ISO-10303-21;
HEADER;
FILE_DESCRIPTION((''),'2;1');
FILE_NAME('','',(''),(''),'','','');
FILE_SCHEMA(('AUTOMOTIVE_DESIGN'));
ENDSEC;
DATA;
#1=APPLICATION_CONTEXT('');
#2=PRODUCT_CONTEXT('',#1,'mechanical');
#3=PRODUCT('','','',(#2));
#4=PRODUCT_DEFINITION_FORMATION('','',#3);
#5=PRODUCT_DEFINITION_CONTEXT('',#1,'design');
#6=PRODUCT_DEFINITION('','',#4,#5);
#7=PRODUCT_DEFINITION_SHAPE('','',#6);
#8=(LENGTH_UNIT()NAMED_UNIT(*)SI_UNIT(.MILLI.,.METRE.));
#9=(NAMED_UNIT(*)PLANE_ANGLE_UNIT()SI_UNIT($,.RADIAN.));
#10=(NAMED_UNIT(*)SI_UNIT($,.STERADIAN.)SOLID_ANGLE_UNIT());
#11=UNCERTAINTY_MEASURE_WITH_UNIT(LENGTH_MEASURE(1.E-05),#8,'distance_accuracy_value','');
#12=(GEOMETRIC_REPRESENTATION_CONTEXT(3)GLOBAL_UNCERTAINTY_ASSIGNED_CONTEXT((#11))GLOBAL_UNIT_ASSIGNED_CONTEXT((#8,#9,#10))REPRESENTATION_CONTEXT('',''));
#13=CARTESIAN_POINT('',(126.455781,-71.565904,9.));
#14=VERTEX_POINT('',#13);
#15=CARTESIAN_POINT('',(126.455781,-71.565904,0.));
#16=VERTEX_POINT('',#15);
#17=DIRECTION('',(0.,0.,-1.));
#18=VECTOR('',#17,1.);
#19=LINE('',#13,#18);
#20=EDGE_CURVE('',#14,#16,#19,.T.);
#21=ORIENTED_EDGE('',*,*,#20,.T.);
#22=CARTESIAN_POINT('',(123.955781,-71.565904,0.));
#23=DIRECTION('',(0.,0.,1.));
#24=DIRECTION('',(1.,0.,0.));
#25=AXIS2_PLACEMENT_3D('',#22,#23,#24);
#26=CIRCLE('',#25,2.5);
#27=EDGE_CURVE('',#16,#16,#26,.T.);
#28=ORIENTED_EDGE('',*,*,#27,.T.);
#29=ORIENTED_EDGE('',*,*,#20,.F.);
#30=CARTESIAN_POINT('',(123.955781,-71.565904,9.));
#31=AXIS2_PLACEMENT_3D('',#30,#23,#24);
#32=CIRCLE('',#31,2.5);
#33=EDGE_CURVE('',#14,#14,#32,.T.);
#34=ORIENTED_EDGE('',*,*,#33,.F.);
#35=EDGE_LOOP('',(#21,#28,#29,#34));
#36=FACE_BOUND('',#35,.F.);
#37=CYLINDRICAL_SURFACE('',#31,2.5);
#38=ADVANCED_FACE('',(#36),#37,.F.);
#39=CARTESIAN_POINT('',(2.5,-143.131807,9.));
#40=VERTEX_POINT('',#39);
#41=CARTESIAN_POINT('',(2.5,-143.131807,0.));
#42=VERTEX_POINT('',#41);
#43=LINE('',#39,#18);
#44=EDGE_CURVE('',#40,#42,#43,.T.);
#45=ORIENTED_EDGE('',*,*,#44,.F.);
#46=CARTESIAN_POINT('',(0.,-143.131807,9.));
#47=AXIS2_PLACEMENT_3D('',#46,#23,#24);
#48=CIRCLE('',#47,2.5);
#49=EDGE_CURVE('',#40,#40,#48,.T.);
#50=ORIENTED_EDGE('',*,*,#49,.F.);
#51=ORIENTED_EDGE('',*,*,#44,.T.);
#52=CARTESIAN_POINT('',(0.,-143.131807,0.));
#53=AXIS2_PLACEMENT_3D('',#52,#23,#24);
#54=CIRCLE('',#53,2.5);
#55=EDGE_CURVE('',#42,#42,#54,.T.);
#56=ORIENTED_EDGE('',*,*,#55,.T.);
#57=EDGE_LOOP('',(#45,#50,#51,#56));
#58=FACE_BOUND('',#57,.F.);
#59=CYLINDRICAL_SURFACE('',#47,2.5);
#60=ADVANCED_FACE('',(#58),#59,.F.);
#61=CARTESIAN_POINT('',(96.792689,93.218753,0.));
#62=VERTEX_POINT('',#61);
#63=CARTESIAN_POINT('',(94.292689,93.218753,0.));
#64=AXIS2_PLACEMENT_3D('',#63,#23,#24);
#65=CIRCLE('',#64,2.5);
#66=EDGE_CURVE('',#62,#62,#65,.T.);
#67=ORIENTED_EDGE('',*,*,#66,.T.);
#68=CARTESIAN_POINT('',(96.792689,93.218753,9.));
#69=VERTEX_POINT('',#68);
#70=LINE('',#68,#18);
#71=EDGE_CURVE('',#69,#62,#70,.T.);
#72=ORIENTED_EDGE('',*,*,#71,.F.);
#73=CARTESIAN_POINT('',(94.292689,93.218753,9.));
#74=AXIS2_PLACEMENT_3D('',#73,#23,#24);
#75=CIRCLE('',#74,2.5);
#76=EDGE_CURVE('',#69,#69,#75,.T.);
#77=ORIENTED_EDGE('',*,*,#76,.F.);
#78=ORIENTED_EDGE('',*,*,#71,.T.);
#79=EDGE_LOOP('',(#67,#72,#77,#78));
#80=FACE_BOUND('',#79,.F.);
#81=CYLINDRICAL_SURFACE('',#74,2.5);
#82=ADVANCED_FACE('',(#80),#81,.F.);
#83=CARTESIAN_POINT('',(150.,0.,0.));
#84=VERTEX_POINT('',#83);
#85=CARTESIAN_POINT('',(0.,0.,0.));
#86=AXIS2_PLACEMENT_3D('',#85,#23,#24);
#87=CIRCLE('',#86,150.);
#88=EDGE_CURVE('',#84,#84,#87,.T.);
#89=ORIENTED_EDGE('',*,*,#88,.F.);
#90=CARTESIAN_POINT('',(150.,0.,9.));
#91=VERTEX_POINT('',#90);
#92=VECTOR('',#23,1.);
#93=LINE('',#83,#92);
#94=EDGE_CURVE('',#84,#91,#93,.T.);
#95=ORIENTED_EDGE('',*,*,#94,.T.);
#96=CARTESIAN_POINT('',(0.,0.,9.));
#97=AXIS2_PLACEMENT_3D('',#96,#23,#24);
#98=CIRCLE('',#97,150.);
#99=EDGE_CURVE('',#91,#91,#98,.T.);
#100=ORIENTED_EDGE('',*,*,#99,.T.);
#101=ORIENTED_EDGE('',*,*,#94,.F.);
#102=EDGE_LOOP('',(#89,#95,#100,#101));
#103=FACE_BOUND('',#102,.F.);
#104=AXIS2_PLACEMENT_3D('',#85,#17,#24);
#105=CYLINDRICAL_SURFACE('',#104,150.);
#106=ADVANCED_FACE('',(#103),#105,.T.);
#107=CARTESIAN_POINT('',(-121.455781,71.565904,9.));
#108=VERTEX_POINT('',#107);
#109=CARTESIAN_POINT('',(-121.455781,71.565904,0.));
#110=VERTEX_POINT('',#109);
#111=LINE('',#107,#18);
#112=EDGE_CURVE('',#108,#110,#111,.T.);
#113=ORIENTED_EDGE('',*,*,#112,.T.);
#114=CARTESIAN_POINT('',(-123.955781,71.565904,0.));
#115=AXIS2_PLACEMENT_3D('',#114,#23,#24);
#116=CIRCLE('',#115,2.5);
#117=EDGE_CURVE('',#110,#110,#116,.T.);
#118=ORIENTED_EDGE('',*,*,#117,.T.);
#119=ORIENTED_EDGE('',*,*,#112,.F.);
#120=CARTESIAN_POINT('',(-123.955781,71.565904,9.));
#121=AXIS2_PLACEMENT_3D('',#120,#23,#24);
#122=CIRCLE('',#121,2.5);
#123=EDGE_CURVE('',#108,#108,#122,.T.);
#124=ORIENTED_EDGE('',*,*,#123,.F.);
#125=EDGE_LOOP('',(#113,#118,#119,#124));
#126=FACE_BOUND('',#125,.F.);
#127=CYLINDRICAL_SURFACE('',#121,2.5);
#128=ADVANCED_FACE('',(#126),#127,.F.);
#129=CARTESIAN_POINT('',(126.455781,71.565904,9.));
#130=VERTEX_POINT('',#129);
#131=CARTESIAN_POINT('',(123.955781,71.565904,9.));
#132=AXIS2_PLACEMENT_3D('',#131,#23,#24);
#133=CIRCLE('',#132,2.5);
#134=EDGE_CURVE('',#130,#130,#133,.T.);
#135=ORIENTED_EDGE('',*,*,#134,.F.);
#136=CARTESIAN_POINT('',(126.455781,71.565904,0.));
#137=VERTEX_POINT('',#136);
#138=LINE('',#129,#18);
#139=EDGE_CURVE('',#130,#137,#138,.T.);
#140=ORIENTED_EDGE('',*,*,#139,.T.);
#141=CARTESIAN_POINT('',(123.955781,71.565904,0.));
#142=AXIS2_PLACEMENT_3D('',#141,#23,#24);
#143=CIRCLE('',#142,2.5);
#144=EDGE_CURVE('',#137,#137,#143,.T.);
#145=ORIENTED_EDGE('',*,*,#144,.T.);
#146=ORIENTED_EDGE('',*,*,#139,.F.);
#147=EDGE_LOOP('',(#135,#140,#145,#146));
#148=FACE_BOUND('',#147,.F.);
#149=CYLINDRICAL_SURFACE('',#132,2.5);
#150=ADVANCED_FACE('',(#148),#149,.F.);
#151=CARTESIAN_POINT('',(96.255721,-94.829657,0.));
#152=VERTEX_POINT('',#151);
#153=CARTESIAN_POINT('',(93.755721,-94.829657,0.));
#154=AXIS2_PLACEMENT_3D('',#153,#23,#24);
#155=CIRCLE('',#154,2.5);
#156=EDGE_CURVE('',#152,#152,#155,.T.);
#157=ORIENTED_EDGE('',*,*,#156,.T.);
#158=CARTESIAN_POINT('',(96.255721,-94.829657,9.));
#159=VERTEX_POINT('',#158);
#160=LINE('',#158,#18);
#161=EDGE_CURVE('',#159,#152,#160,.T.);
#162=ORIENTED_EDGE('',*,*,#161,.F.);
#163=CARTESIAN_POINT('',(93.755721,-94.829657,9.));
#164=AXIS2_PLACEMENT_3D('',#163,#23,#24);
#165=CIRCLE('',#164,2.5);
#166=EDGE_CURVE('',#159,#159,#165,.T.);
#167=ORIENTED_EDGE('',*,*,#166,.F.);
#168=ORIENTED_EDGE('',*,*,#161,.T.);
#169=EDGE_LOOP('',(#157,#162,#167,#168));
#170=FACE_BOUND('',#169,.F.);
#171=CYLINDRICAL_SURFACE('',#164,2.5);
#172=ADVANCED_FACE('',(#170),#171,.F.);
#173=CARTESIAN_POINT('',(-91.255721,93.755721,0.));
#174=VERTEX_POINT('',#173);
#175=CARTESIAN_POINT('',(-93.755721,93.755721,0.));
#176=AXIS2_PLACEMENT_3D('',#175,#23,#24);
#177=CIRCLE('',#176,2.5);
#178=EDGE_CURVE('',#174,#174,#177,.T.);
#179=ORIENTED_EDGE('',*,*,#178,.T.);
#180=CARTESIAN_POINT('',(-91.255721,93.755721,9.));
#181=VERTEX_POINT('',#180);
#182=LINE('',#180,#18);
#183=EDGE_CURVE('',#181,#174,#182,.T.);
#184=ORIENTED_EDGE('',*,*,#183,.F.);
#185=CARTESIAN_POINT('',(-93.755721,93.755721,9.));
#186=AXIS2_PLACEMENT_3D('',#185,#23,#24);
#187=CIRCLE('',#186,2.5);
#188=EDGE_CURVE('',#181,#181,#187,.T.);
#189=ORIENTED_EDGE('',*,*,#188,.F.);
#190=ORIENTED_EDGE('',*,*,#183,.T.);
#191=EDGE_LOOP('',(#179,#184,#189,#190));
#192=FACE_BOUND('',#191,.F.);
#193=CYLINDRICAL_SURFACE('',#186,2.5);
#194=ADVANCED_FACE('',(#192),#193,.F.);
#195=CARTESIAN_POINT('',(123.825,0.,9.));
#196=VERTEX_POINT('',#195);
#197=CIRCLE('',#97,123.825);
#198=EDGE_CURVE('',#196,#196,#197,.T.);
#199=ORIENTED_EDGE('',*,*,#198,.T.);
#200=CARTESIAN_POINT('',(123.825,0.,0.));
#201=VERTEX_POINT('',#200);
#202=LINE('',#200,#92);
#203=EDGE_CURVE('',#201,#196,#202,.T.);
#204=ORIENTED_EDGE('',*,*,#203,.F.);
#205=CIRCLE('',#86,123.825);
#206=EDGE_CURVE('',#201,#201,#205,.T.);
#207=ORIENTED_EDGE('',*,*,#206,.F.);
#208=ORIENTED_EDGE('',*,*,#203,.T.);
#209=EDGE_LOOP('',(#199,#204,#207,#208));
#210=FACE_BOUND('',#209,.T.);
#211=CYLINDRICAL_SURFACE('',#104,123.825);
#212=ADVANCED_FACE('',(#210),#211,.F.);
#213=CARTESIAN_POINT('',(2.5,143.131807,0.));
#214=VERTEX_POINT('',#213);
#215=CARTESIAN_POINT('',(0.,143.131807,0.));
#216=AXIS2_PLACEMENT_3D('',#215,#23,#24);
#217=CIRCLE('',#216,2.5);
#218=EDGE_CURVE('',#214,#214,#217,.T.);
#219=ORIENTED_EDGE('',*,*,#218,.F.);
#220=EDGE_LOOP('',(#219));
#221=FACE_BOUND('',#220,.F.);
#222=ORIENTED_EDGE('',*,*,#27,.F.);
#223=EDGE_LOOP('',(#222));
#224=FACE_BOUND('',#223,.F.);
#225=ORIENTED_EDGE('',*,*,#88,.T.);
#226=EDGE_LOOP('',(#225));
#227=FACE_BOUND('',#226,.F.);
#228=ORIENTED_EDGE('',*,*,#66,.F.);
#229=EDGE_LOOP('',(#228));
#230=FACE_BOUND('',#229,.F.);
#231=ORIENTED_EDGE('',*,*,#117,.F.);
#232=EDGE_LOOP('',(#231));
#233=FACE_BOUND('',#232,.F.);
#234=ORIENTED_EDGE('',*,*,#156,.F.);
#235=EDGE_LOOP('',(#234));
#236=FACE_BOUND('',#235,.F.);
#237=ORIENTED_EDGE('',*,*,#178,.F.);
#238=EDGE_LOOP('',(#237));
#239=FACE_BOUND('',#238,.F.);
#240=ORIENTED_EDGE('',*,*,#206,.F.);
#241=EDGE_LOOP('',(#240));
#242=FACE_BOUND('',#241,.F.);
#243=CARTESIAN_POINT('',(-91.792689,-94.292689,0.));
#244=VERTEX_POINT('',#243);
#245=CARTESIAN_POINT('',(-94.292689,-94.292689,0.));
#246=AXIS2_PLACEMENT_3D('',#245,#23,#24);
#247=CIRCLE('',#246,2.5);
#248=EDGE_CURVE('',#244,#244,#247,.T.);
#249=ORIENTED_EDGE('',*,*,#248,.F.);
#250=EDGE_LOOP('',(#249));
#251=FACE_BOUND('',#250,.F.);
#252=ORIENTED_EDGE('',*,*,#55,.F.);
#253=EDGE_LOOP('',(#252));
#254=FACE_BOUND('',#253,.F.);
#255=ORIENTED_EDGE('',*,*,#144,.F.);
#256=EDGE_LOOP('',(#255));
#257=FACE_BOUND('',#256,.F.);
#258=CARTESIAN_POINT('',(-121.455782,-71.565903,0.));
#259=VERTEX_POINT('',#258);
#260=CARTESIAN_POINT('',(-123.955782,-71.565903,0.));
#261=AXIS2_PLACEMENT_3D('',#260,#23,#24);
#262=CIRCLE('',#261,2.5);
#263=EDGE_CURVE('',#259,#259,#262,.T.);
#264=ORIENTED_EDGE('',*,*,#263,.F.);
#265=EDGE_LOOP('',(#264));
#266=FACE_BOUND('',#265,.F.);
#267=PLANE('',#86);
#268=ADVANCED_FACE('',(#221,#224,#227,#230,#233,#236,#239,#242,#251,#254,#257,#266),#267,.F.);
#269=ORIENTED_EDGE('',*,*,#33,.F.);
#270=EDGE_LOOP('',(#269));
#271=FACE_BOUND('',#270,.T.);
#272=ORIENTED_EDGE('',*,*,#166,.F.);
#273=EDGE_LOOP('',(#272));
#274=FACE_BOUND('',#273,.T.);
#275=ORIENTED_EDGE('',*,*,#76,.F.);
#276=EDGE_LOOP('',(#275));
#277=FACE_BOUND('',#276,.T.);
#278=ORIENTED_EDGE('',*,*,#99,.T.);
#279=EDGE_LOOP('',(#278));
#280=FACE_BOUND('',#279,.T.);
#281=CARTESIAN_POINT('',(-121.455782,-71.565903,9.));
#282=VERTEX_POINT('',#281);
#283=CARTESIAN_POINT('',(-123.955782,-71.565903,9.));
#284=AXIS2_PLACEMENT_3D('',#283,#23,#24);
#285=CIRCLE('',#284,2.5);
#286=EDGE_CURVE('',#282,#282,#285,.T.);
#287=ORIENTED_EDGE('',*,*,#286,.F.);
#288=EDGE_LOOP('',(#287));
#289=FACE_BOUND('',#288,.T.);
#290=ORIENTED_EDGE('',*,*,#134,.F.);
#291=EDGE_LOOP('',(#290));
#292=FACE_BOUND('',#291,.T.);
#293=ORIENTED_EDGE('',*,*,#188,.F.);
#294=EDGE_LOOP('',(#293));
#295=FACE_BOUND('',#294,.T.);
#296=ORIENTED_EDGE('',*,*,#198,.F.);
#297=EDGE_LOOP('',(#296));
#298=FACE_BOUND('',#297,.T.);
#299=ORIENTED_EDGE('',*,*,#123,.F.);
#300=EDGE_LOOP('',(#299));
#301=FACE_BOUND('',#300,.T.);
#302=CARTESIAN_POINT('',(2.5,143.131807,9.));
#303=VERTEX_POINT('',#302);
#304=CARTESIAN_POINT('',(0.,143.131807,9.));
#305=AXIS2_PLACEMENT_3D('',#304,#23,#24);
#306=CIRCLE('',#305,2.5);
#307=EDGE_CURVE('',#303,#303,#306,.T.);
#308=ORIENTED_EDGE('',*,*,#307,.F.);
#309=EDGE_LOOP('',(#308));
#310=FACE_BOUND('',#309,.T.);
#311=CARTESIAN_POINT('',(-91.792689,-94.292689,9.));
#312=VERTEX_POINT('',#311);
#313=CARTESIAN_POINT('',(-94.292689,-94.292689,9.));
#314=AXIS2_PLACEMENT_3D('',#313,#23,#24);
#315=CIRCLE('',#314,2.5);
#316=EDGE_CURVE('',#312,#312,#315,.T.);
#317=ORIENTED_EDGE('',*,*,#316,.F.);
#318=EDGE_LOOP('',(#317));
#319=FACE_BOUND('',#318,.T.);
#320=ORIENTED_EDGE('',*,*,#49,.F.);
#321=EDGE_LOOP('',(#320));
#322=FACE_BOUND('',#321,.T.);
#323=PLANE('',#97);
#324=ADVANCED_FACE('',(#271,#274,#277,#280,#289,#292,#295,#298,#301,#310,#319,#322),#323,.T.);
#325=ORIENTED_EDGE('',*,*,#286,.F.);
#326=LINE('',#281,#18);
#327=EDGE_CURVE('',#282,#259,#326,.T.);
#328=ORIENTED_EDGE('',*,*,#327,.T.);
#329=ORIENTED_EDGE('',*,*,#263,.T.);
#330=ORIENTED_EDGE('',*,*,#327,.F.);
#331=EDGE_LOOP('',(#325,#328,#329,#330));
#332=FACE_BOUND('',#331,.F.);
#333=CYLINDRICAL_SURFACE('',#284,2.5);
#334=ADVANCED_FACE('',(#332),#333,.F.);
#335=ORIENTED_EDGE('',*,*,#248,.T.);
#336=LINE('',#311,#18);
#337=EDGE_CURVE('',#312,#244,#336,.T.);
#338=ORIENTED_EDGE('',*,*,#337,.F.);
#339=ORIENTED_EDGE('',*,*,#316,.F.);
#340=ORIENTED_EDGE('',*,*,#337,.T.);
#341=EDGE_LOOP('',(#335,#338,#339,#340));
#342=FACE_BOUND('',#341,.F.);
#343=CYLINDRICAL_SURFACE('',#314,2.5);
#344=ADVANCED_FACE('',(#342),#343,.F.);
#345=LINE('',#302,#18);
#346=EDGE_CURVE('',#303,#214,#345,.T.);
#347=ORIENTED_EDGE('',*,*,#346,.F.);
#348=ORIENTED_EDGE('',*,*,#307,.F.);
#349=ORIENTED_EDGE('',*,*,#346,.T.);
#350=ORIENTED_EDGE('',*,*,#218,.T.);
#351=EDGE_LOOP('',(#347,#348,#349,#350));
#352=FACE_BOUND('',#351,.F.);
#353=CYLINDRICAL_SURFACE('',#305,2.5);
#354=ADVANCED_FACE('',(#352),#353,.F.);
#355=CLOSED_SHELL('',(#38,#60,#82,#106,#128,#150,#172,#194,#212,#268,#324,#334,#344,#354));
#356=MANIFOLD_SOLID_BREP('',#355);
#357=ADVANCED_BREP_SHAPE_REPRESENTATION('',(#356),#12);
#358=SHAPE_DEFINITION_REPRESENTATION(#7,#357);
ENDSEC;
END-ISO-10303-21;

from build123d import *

# Parameters (mm, degrees)
F0_R     = 150
F0_R_2   = 123.825
F1_DEPTH = 9
F2_R     = 2.5
F3_DEPTH = 25.4


with BuildPart() as f1:
    # F0 (on Top) → F1 (new body)
    with BuildSketch(Plane.XY):
        Circle(F0_R)
        Circle(F0_R_2, mode=Mode.SUBTRACT)
    extrude(amount=F1_DEPTH)

    # F2 (on face) → F3 (cut)
    with BuildSketch(Plane.XY.offset(9)):
        with Locations((-94.292689, -94.292689)):
            Circle(F2_R)
        with Locations((93.755721, -94.829657)):
            Circle(F2_R)
        with Locations((94.292689, 93.218753)):
            Circle(F2_R)
        with Locations((-93.755721, 93.755721)):
            Circle(F2_R)
        with Locations((0, 143.131807)):
            Circle(F2_R)
        with Locations((123.955781, 71.565904)):
            Circle(F2_R)
        with Locations((123.955781, -71.565904)):
            Circle(F2_R)
        with Locations((0, -143.131807)):
            Circle(F2_R)
        with Locations((-123.955782, -71.565903)):
            Circle(F2_R)
        with Locations((-123.955781, 71.565904)):
            Circle(F2_R)
    extrude(amount=-F3_DEPTH, mode=Mode.SUBTRACT)


solid = f1.part
